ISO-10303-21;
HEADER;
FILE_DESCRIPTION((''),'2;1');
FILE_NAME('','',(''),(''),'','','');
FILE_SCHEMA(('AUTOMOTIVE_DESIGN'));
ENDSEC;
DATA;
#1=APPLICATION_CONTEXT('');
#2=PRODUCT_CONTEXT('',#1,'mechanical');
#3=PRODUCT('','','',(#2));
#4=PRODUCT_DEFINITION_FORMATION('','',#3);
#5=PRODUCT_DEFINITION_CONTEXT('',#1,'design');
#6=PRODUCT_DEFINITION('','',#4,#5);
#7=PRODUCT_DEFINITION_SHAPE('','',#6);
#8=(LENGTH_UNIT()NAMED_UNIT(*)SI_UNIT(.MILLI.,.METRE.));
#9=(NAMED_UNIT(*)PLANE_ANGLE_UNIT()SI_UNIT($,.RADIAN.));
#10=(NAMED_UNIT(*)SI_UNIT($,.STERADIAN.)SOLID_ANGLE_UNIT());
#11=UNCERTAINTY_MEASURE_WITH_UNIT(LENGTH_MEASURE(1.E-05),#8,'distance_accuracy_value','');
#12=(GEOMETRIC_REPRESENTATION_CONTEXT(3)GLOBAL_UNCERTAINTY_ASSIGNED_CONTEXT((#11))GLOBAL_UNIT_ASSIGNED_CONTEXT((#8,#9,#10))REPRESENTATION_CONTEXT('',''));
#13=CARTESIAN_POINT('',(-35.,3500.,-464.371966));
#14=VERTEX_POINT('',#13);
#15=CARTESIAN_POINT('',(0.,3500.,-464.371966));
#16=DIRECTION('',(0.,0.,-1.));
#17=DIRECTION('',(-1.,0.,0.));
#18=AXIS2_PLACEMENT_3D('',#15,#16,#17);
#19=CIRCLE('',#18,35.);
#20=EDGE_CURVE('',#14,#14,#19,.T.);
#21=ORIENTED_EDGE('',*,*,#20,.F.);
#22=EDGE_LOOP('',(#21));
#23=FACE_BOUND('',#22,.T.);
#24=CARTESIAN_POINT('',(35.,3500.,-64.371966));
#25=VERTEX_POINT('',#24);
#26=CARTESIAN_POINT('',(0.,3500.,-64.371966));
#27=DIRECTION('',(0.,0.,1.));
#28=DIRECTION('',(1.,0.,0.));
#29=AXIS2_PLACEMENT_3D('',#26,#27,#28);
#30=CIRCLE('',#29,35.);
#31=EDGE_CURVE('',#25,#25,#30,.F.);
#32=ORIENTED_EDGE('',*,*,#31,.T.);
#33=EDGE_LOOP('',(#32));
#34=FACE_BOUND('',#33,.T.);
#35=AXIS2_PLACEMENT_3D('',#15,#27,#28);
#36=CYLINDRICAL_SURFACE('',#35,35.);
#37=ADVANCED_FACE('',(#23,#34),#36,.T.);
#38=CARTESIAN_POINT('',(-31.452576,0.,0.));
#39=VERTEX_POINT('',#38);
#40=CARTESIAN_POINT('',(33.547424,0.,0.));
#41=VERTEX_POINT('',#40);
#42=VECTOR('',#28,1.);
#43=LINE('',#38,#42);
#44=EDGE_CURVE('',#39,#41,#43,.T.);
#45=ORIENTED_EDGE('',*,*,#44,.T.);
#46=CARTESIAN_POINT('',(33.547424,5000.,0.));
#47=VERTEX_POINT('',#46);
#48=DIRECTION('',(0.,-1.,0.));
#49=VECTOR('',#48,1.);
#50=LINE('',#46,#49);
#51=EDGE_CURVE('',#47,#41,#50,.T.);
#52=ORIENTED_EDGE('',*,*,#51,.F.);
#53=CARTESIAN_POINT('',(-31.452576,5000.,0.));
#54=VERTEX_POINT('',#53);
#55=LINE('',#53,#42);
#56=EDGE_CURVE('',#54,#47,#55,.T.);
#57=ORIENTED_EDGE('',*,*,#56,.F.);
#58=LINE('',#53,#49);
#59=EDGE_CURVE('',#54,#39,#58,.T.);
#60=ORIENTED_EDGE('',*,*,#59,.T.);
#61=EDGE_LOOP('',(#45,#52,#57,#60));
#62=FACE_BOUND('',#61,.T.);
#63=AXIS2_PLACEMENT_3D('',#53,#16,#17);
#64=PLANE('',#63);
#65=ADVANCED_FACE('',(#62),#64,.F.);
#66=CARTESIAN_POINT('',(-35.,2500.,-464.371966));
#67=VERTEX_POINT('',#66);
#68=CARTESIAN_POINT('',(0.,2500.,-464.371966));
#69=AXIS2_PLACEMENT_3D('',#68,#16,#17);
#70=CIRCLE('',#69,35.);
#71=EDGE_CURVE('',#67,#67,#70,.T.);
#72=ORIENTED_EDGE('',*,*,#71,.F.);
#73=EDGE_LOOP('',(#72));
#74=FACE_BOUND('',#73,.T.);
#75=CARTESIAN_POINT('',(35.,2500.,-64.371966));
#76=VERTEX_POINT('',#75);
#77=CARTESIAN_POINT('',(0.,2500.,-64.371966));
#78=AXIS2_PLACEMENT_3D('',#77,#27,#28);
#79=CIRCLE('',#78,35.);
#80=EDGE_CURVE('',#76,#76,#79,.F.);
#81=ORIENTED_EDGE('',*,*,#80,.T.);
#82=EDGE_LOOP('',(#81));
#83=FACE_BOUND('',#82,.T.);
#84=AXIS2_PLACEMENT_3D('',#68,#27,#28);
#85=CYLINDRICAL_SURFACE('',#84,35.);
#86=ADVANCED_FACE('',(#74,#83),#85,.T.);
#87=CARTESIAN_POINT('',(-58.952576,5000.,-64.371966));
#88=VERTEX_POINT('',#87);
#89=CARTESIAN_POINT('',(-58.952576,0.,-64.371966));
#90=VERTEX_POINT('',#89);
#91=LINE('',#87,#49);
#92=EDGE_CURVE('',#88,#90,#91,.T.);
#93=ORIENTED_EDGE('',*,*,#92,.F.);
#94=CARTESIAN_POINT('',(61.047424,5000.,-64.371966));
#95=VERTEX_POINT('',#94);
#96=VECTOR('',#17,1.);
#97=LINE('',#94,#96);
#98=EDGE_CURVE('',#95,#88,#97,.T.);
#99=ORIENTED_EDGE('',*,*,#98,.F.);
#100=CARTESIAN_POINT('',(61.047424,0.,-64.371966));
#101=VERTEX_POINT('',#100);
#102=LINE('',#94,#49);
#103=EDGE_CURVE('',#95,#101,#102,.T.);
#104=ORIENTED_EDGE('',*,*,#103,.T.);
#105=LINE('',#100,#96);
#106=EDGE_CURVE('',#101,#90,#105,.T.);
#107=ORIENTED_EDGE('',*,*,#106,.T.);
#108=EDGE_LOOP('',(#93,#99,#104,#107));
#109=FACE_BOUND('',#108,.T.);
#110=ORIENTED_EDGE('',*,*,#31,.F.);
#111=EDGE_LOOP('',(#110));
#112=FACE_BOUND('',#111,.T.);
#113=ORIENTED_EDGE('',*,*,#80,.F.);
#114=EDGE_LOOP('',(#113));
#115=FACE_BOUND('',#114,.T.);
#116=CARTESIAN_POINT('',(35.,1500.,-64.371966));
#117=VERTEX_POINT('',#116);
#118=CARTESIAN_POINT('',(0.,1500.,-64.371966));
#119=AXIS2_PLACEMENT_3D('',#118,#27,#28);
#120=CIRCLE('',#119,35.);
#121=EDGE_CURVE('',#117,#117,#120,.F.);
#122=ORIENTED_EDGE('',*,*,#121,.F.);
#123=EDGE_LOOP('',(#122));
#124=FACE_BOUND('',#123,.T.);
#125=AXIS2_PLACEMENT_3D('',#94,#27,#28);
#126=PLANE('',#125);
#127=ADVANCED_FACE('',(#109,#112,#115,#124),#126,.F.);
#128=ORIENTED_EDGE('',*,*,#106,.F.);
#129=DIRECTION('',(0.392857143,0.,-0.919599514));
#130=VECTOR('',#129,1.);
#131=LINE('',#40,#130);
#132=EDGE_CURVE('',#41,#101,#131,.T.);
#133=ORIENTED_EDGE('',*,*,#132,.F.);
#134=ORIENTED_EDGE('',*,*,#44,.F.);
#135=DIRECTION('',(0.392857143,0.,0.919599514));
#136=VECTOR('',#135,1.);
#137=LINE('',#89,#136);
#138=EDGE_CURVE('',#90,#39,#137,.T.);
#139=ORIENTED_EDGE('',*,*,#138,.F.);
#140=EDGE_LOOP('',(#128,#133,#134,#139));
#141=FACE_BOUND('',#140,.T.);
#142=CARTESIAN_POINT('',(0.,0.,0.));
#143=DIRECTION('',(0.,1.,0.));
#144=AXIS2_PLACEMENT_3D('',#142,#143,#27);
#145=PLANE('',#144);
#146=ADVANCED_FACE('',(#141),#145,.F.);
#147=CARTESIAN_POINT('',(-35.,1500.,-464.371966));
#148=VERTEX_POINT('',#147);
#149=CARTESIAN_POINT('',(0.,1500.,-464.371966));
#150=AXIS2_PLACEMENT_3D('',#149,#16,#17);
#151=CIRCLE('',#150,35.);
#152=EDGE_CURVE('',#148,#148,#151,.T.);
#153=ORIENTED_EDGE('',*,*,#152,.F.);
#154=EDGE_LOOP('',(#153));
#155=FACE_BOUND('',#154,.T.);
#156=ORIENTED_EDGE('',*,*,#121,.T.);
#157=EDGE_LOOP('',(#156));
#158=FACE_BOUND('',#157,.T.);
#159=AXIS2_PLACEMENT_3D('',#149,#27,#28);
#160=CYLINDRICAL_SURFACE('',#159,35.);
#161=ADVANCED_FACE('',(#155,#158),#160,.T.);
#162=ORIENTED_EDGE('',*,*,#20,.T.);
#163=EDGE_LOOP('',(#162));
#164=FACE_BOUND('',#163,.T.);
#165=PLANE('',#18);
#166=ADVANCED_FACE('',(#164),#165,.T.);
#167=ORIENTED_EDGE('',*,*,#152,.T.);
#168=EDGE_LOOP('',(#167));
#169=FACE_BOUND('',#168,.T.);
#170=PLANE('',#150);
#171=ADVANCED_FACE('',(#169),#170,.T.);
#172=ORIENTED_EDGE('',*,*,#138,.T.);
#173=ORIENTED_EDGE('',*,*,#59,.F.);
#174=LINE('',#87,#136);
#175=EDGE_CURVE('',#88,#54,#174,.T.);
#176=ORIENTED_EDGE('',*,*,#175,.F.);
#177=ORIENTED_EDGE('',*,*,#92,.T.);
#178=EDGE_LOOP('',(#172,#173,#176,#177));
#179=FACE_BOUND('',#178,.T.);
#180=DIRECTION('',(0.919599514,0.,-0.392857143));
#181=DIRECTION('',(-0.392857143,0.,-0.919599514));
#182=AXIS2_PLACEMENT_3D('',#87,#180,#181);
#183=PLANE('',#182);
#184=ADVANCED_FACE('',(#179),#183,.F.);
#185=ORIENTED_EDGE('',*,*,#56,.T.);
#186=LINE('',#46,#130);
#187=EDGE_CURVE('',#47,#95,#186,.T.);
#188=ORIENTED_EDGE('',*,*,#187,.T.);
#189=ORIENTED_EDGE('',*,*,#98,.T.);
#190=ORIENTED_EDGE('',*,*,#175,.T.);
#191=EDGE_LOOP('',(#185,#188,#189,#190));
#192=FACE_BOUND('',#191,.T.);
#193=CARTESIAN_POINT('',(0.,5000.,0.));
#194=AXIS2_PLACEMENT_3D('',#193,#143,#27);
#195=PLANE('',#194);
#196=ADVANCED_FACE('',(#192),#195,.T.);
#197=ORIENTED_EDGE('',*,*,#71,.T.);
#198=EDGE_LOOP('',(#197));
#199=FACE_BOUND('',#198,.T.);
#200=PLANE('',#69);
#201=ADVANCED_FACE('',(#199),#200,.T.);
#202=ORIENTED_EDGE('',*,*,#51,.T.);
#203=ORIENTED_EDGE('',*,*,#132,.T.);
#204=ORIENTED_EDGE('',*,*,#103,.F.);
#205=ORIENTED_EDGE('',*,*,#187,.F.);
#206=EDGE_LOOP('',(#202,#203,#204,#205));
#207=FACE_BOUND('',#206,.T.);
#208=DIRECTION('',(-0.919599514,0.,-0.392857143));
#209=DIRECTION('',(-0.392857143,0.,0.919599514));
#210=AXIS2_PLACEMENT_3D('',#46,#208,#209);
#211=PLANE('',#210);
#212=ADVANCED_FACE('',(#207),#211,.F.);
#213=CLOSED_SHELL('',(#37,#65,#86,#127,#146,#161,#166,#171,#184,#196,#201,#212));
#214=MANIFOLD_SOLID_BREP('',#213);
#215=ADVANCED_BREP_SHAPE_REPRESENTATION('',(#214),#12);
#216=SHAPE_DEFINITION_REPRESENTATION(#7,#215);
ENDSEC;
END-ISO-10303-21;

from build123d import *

# Parameters (mm, degrees)
BOSS_EXTRUDE1_DEPTH = 5000
SKETCH2_R           = 35
BOSS_EXTRUDE2_DEPTH = 400
LPATTERN1_COUNT     = 3
LPATTERN1_PITCH     = 1000


with BuildPart() as part:
    # Sketch1 → Boss-Extrude1 (new body)
    with BuildSketch(Plane(origin=(0, 0, 0), x_dir=(1, 0, 0), z_dir=(0, 1, 0))):
        Polygon((-31.452576395, 0), (33.547423605, 0), (61.047423605, 64.371965948), (-58.952576395, 64.371965948), align=None)
    extrude(amount=BOSS_EXTRUDE1_DEPTH)

    # Sketch2 → Boss-Extrude2 (add)
    with BuildSketch(Plane(origin=(0, 0, -64.371965948), x_dir=(-1, 0, 0), z_dir=(0, 0, -1))):
        with Locations(Location((0, 1500, 0), (0, 0, 180))):
            Circle(SKETCH2_R)
    boss_extrude2 = extrude(amount=BOSS_EXTRUDE2_DEPTH)

    # LPattern1: Boss-Extrude2 ×3
    with Locations(*[(0, i * LPATTERN1_PITCH, 0) for i in range(1, LPATTERN1_COUNT)]):
        add(boss_extrude2)


solid = part.part
